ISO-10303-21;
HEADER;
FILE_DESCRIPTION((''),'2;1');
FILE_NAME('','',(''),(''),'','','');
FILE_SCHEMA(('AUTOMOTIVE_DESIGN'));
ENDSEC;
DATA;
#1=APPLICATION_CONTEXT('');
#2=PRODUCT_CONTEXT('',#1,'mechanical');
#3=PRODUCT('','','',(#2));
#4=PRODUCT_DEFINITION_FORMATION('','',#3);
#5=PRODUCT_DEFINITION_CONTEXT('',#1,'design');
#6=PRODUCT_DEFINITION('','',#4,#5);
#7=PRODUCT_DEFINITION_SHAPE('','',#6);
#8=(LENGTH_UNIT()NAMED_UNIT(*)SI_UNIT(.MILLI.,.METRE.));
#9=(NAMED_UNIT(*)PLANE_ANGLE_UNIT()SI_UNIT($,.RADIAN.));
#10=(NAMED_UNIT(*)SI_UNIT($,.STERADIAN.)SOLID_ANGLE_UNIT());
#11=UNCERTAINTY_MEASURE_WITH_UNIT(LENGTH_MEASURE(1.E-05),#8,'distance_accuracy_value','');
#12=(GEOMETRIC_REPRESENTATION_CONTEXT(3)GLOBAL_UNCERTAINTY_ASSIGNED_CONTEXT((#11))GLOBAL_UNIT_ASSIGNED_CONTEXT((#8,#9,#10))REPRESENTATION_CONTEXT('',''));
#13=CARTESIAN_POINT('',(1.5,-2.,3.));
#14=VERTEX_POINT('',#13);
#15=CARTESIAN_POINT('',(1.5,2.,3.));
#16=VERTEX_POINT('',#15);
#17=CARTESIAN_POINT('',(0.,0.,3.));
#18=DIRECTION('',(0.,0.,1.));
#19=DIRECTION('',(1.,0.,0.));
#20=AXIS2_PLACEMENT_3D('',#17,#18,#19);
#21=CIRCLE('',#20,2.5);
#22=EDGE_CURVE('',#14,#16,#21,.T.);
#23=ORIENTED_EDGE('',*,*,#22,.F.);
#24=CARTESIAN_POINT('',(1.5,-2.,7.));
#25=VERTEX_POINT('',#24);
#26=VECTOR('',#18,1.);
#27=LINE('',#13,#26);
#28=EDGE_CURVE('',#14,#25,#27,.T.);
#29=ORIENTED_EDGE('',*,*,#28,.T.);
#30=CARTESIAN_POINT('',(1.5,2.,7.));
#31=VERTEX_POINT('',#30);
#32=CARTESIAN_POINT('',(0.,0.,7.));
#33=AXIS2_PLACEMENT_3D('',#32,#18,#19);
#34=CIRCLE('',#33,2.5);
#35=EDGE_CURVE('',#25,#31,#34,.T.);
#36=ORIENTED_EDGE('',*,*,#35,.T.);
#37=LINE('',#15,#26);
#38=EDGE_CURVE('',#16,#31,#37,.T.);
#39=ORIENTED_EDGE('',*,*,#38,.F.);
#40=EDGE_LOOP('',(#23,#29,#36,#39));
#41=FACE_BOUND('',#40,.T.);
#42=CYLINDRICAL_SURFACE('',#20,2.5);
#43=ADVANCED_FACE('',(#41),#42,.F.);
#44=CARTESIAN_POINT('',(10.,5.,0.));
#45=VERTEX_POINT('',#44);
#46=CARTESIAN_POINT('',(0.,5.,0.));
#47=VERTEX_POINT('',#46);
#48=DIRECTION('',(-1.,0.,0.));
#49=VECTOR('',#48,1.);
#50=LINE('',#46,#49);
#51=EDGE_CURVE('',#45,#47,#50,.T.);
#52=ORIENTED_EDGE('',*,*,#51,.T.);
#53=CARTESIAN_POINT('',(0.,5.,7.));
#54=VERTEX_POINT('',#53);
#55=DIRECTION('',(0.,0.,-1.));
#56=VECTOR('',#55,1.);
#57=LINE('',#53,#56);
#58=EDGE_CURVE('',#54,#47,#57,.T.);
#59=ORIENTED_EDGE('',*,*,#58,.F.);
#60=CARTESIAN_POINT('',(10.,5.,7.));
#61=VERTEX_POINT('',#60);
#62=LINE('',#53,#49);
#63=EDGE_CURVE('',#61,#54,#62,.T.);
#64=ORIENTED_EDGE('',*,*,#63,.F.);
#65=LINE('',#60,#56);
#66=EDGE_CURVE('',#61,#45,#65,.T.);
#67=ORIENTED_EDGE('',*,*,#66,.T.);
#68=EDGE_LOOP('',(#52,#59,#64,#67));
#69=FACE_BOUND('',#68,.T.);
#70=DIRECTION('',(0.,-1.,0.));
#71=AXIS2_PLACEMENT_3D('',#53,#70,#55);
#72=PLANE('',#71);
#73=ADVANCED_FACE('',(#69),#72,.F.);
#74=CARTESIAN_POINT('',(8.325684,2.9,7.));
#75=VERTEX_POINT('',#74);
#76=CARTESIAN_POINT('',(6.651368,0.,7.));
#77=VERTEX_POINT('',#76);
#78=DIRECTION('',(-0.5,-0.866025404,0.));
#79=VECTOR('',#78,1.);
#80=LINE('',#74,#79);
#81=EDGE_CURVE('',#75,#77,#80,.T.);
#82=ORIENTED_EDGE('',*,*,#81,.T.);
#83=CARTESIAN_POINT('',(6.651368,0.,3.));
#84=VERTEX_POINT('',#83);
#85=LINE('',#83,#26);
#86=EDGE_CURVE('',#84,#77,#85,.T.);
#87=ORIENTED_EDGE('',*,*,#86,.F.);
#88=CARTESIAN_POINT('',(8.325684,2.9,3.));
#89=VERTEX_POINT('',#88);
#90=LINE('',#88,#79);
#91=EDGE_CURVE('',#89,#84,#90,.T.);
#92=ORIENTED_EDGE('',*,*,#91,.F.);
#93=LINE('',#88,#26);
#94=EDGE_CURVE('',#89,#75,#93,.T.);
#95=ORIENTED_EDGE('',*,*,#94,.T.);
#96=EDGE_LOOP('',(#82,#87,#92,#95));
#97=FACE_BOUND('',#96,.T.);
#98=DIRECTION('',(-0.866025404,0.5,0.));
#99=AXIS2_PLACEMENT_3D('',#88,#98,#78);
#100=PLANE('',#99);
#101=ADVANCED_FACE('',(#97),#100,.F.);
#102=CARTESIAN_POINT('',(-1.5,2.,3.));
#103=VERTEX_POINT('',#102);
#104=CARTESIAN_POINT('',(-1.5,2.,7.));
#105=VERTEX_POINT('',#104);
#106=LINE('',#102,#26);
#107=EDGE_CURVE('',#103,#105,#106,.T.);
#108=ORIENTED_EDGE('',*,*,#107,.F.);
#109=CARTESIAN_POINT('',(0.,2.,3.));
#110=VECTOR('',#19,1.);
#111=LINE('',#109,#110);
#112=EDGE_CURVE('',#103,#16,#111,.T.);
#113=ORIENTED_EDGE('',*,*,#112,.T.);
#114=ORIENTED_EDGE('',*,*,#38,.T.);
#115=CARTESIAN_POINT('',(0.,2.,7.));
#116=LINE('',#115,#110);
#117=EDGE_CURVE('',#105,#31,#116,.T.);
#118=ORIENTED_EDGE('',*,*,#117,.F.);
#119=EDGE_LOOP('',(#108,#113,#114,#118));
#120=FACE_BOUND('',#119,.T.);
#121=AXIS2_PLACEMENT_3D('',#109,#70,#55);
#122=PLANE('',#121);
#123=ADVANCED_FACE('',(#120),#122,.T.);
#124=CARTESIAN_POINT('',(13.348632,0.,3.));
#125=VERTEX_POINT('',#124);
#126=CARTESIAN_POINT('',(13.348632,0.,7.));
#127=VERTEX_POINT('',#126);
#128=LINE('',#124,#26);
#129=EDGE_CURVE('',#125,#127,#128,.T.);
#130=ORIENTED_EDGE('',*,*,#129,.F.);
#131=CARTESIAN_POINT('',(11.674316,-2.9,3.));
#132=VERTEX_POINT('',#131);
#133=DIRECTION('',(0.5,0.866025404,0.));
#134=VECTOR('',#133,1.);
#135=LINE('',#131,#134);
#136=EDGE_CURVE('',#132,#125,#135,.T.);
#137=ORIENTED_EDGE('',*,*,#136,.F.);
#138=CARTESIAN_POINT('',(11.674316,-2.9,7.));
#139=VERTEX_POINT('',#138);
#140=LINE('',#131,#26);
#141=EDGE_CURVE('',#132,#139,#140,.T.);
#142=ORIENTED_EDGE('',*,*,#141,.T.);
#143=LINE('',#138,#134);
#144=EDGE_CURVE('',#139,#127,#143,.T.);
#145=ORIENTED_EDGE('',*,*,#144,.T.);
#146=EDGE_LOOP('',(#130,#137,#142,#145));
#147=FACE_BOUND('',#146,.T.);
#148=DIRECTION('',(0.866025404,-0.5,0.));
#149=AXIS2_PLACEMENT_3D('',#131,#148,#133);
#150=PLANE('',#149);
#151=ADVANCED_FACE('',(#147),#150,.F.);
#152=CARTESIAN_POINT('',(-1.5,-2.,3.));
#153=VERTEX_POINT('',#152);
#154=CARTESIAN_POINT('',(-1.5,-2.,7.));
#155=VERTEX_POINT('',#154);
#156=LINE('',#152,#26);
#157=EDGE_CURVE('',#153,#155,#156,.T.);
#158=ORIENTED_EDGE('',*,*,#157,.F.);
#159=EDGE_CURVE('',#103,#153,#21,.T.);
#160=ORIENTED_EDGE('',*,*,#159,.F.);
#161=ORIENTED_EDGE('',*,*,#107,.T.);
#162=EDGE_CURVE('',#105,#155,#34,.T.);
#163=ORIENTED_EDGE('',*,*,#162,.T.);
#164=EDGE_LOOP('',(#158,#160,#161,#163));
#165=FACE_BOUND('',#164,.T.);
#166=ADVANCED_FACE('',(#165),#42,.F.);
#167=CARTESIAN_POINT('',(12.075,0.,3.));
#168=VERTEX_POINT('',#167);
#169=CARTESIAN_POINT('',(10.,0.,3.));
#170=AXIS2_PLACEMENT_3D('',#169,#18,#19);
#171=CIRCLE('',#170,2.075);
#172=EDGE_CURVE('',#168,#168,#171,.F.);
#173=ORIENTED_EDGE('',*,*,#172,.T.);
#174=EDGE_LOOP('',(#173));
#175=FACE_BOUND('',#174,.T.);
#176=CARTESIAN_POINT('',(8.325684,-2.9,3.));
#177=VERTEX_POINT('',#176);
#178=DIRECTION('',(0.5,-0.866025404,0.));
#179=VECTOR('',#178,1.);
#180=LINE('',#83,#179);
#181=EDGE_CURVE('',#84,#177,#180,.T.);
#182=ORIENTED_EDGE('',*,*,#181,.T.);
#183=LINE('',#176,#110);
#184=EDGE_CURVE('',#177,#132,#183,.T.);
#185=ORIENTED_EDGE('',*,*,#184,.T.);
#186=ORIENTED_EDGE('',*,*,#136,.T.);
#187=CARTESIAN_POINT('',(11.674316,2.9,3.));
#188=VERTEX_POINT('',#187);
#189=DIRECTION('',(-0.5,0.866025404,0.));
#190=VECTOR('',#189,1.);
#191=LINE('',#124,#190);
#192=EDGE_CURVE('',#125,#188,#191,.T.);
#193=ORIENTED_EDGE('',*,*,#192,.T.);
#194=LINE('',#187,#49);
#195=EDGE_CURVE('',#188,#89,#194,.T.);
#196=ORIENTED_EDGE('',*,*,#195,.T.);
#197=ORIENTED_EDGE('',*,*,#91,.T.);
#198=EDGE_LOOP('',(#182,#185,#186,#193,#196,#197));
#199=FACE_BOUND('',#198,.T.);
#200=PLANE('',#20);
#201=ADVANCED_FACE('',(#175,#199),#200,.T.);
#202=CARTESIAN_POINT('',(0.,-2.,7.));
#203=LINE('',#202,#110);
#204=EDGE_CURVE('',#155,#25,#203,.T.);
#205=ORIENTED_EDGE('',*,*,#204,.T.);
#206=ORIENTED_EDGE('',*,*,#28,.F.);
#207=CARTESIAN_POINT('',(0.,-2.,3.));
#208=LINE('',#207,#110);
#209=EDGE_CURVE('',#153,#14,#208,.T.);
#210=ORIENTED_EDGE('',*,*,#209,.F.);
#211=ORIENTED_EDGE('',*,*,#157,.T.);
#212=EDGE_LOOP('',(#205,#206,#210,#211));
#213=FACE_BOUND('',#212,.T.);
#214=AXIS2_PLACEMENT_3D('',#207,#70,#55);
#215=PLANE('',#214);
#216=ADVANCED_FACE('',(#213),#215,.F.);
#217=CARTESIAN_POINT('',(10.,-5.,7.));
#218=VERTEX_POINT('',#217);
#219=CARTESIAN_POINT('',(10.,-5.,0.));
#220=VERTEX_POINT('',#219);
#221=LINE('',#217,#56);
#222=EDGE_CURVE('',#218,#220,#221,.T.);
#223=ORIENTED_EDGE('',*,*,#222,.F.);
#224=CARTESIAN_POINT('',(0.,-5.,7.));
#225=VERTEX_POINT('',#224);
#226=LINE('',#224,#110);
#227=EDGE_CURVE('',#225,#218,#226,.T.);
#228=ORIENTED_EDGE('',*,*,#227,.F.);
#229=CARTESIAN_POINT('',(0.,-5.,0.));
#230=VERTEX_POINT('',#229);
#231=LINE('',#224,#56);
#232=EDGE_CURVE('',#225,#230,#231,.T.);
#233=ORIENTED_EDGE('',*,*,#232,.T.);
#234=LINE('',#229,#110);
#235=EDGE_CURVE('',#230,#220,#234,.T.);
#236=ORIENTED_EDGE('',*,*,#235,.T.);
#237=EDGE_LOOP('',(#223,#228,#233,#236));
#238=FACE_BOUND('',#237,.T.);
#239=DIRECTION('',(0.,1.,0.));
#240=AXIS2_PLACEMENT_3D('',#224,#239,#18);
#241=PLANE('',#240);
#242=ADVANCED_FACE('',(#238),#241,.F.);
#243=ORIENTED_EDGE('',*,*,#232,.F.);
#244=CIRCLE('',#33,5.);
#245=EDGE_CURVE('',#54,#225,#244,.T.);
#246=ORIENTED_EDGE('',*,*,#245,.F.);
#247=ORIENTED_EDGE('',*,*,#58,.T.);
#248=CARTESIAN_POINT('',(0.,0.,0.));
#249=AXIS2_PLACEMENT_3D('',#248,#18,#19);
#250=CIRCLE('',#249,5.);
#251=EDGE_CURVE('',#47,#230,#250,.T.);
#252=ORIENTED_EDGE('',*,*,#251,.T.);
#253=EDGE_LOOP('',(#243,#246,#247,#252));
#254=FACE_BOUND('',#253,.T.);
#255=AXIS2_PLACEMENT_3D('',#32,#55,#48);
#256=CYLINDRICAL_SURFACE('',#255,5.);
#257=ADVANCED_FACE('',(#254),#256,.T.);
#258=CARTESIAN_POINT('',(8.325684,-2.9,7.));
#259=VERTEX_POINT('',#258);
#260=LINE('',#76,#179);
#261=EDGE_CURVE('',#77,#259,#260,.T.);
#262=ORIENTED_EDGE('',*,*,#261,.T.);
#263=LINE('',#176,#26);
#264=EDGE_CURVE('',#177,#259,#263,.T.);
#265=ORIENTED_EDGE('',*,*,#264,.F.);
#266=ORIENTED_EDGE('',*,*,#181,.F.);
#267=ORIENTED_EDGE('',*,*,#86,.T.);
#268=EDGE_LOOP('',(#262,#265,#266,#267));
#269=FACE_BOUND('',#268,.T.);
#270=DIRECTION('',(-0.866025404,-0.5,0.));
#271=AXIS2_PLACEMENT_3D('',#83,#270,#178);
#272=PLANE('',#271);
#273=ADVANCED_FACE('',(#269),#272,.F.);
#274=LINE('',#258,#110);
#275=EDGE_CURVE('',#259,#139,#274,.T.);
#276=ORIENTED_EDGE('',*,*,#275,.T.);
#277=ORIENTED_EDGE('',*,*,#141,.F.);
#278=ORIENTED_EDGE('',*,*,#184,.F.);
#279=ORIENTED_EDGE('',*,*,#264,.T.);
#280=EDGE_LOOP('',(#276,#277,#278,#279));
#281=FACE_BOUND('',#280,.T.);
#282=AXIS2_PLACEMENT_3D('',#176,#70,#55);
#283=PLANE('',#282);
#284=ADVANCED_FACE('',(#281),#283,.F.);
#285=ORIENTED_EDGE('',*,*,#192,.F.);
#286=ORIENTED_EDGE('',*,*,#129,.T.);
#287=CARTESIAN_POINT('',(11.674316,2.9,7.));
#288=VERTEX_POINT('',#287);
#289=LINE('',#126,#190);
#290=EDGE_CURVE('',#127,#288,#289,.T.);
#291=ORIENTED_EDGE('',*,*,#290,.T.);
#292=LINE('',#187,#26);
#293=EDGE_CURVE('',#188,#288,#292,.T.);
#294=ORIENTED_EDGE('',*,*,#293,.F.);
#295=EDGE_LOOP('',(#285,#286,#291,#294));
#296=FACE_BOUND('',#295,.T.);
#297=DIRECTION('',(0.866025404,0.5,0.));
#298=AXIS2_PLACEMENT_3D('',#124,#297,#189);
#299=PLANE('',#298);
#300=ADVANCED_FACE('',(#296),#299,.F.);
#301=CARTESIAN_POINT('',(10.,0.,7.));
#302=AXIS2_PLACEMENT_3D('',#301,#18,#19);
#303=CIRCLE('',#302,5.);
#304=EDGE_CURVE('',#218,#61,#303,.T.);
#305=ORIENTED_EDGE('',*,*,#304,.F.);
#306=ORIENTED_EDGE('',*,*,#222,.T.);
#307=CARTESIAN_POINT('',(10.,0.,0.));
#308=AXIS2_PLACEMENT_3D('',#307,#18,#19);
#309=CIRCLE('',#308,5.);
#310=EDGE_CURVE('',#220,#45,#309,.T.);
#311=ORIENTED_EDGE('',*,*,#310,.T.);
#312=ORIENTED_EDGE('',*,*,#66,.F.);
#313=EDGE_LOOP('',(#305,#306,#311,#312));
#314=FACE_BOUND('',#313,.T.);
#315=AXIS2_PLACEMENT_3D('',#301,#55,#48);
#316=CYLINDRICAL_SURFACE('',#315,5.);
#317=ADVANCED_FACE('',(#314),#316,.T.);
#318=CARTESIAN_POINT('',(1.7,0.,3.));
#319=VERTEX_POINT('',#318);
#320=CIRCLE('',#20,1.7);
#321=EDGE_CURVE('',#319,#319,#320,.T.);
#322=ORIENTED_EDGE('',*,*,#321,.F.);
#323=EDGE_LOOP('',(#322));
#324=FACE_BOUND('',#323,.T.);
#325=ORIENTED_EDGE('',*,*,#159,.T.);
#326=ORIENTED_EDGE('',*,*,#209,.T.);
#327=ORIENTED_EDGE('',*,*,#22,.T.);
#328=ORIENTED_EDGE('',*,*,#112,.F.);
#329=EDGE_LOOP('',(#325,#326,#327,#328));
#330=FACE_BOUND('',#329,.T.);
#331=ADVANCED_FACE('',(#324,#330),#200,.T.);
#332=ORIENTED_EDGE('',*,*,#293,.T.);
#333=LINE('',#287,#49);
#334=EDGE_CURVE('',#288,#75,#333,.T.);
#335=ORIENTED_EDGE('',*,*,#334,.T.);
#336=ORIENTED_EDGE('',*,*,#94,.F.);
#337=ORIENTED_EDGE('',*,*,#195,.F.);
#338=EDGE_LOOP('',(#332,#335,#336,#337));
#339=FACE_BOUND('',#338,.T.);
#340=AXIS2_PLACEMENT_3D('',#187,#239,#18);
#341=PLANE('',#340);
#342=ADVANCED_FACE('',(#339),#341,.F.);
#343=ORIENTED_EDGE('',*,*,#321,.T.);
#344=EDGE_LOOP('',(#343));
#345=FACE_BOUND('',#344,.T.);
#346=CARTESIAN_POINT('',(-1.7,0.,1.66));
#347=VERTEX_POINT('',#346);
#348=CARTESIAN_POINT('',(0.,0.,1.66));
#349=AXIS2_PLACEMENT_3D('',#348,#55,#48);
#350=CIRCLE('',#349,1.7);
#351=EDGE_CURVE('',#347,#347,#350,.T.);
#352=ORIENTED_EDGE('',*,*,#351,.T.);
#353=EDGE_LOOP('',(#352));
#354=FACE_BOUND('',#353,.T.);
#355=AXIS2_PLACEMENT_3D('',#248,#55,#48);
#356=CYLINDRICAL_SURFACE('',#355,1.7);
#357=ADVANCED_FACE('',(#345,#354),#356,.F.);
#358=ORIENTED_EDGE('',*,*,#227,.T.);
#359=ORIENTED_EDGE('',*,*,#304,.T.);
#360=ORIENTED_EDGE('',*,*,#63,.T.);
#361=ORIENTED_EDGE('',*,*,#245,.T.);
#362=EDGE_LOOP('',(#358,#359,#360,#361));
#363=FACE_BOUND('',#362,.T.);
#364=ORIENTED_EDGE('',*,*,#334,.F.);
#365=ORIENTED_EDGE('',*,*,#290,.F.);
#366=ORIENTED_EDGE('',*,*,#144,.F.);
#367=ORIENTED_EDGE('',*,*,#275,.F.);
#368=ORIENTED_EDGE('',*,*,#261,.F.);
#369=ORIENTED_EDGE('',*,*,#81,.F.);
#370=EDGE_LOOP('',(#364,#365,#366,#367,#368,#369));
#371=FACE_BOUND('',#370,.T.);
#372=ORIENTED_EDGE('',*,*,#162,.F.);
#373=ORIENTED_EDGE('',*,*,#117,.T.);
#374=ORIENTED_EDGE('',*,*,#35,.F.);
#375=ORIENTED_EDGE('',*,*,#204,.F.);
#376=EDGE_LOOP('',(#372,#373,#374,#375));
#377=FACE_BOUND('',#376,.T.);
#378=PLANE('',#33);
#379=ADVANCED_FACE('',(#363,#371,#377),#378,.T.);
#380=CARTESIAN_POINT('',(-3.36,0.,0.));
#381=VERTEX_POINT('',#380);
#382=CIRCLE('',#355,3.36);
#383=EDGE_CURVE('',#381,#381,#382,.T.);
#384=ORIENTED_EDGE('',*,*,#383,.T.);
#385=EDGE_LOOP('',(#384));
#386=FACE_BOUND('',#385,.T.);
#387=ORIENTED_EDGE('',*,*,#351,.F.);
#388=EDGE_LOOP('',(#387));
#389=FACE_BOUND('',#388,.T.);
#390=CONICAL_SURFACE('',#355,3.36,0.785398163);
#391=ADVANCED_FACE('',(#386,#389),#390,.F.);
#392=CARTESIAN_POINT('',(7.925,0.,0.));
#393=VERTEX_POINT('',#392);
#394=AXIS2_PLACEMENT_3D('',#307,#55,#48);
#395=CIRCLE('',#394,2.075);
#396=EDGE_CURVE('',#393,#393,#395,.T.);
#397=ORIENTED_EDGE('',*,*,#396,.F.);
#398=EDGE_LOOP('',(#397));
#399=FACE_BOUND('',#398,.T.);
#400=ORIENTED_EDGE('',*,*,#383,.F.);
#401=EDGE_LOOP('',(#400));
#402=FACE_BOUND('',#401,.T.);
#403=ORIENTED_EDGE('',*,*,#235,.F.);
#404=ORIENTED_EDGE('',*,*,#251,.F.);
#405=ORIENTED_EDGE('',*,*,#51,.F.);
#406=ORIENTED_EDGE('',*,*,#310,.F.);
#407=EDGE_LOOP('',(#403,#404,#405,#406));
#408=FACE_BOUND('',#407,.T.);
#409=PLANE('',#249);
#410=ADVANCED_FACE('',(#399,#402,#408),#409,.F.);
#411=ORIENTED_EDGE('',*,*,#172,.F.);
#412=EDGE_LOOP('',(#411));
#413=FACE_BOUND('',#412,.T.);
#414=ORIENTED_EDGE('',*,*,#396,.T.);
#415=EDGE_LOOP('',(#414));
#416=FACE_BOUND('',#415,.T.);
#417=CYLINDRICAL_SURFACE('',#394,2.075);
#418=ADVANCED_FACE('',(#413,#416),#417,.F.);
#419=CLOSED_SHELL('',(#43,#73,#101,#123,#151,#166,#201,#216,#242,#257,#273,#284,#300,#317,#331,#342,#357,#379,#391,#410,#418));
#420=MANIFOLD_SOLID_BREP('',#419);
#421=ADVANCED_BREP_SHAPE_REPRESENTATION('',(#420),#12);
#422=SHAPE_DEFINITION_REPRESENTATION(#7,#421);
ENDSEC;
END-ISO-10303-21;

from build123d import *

# Parameters (mm, degrees)
EXTRUDE_1_DEPTH              = 7
CUT_EXTRUDE_1_DEPTH          = 4
HOLE_WIZARD_M3_1_D           = 3.4
HOLE_WIZARD_M3_1_DEPTH       = 7.5
HOLE_WIZARD_M3_1_CSINK_D     = 6.72
HOLE_WIZARD_M3_1_CSINK_ANGLE = 90
HOLE_WIZARD_M3_1_TIP         = 1.021463052
HOLE_WIZARD_1_D              = 4.15
CUT_EXTRUDE_2_DEPTH          = 4


with BuildPart() as part:
    # 草图1 → 凸台-拉伸1 (new body)
    with BuildSketch(Plane.XY):
        with BuildLine():
            Line((0, 5), (10, 5))
            ThreePointArc((10, 5), (15, 0), (10, -5))
            Line((10, -5), (0, -5))
            ThreePointArc((0, -5), (-5, 0), (0, 5))
        make_face()
    extrude(amount=EXTRUDE_1_DEPTH)

    # 草图2 → 切除-拉伸1 (cut)
    with BuildSketch(Plane.XY.offset(7)):
        with BuildLine():
            Line((1.5, 2), (-1.5, 2))
            ThreePointArc((-1.5, 2), (-2.5, 0), (-1.5, -2))
            Line((-1.5, -2), (1.5, -2))
            ThreePointArc((1.5, -2), (2.236067977, -1.118033989), (2.5, 0))
            ThreePointArc((2.5, 0), (2.236067977, 1.118033989), (1.5, 2))
        make_face()
    extrude(amount=-CUT_EXTRUDE_1_DEPTH, mode=Mode.SUBTRACT)

    # M3 六角凹锥坑螺钉的锥形沉头孔1
    with Locations(Plane(origin=(0, 0, 0), x_dir=(-1, 0, 0), z_dir=(0, 0, -1))):
        with Locations((0, 0)):
            CounterSinkHole(HOLE_WIZARD_M3_1_D / 2, HOLE_WIZARD_M3_1_CSINK_D / 2, depth=HOLE_WIZARD_M3_1_DEPTH, counter_sink_angle=HOLE_WIZARD_M3_1_CSINK_ANGLE)
            with Locations((0, 0, -(HOLE_WIZARD_M3_1_DEPTH + HOLE_WIZARD_M3_1_TIP / 2))):  # 118° drill point
                Cone(0, HOLE_WIZARD_M3_1_D / 2, HOLE_WIZARD_M3_1_TIP, mode=Mode.SUBTRACT)

    # 孔1 (through all)
    with Locations(Plane(origin=(0, 0, 0), x_dir=(-1, 0, 0), z_dir=(0, 0, -1))):
        with Locations((-10, 0)):
            Hole(HOLE_WIZARD_1_D / 2)

    # 草图7 → 切除-拉伸2 (cut)
    with BuildSketch(Plane.XY.offset(7)):
        Polygon((8.325684219, -2.9), (11.674315781, -2.9), (13.348631561, 0), (11.674315781, 2.9), (8.325684219, 2.9), (6.651368439, 0), align=None)
    extrude(amount=-CUT_EXTRUDE_2_DEPTH, mode=Mode.SUBTRACT)


solid = part.part
